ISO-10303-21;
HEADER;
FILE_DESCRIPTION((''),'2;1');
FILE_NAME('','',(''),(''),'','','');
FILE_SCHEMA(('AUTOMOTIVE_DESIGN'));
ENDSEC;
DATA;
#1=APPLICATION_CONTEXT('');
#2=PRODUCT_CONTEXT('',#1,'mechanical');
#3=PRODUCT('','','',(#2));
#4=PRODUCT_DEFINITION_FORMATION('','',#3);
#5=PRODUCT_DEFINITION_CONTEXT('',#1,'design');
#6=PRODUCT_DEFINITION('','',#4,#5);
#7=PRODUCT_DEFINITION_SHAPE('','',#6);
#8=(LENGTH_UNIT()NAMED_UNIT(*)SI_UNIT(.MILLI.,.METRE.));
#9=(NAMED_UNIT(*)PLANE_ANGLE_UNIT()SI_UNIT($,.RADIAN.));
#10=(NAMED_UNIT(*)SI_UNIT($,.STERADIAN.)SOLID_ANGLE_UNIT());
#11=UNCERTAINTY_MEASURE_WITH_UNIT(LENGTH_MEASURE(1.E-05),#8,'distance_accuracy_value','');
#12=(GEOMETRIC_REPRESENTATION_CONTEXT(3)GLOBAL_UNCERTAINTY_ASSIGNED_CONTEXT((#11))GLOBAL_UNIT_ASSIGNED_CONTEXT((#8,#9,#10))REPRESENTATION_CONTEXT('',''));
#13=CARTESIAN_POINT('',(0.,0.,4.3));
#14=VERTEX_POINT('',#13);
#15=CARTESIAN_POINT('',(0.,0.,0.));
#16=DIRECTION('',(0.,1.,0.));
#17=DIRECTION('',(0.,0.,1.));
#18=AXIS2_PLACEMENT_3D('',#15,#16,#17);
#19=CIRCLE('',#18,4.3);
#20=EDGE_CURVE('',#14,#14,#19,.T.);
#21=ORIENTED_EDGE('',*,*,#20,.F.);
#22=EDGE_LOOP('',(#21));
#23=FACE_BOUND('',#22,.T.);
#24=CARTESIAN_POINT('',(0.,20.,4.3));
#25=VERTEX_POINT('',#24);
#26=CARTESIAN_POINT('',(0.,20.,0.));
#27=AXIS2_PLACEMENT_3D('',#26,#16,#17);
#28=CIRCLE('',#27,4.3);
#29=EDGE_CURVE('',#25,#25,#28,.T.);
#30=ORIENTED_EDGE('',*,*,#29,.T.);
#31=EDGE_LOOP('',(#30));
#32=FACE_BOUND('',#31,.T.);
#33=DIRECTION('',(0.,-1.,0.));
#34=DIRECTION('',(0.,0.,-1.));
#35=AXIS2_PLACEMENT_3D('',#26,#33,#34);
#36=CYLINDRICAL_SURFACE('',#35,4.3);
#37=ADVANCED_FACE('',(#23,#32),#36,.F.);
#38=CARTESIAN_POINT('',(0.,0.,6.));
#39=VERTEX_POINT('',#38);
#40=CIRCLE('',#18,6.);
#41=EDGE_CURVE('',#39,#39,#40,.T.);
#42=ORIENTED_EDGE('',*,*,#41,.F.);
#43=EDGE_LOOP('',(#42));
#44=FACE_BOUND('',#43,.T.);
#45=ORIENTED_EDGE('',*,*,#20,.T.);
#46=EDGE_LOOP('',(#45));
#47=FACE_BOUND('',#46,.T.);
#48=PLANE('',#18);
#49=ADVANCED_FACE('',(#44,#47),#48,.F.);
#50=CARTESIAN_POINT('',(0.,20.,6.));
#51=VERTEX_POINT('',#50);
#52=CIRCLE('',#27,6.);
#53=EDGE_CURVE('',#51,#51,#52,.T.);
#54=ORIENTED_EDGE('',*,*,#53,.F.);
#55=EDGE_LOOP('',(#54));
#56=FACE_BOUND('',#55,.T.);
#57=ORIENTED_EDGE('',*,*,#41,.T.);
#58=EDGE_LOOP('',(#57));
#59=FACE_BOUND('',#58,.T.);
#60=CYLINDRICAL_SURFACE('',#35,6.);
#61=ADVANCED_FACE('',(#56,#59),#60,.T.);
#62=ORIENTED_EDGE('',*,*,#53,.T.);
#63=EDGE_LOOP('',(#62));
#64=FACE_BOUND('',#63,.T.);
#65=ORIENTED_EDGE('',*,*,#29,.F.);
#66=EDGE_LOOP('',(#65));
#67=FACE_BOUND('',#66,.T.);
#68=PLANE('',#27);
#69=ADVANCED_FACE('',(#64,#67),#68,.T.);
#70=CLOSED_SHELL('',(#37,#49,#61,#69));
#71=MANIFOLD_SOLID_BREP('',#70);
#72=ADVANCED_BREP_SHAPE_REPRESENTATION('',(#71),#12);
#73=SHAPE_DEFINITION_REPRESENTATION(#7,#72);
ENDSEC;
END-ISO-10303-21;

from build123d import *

# Parameters (mm, degrees)
CROQUIS1_R              = 6
CROQUIS1_R_2            = 4.3
SALIENTE_EXTRUIR1_DEPTH = 20


with BuildPart() as part:
    # Croquis1 → Saliente-Extruir1 (new body)
    with BuildSketch(Plane(origin=(0, 0, 0), x_dir=(1, 0, 0), z_dir=(0, 1, 0))):
        with Locations(Location((0, 0, 0), (0, 0, 270))):
            Circle(CROQUIS1_R)
        with Locations(Location((0, 0, 0), (0, 0, 270))):
            Circle(CROQUIS1_R_2, mode=Mode.SUBTRACT)
    extrude(amount=SALIENTE_EXTRUIR1_DEPTH)


solid = part.part
